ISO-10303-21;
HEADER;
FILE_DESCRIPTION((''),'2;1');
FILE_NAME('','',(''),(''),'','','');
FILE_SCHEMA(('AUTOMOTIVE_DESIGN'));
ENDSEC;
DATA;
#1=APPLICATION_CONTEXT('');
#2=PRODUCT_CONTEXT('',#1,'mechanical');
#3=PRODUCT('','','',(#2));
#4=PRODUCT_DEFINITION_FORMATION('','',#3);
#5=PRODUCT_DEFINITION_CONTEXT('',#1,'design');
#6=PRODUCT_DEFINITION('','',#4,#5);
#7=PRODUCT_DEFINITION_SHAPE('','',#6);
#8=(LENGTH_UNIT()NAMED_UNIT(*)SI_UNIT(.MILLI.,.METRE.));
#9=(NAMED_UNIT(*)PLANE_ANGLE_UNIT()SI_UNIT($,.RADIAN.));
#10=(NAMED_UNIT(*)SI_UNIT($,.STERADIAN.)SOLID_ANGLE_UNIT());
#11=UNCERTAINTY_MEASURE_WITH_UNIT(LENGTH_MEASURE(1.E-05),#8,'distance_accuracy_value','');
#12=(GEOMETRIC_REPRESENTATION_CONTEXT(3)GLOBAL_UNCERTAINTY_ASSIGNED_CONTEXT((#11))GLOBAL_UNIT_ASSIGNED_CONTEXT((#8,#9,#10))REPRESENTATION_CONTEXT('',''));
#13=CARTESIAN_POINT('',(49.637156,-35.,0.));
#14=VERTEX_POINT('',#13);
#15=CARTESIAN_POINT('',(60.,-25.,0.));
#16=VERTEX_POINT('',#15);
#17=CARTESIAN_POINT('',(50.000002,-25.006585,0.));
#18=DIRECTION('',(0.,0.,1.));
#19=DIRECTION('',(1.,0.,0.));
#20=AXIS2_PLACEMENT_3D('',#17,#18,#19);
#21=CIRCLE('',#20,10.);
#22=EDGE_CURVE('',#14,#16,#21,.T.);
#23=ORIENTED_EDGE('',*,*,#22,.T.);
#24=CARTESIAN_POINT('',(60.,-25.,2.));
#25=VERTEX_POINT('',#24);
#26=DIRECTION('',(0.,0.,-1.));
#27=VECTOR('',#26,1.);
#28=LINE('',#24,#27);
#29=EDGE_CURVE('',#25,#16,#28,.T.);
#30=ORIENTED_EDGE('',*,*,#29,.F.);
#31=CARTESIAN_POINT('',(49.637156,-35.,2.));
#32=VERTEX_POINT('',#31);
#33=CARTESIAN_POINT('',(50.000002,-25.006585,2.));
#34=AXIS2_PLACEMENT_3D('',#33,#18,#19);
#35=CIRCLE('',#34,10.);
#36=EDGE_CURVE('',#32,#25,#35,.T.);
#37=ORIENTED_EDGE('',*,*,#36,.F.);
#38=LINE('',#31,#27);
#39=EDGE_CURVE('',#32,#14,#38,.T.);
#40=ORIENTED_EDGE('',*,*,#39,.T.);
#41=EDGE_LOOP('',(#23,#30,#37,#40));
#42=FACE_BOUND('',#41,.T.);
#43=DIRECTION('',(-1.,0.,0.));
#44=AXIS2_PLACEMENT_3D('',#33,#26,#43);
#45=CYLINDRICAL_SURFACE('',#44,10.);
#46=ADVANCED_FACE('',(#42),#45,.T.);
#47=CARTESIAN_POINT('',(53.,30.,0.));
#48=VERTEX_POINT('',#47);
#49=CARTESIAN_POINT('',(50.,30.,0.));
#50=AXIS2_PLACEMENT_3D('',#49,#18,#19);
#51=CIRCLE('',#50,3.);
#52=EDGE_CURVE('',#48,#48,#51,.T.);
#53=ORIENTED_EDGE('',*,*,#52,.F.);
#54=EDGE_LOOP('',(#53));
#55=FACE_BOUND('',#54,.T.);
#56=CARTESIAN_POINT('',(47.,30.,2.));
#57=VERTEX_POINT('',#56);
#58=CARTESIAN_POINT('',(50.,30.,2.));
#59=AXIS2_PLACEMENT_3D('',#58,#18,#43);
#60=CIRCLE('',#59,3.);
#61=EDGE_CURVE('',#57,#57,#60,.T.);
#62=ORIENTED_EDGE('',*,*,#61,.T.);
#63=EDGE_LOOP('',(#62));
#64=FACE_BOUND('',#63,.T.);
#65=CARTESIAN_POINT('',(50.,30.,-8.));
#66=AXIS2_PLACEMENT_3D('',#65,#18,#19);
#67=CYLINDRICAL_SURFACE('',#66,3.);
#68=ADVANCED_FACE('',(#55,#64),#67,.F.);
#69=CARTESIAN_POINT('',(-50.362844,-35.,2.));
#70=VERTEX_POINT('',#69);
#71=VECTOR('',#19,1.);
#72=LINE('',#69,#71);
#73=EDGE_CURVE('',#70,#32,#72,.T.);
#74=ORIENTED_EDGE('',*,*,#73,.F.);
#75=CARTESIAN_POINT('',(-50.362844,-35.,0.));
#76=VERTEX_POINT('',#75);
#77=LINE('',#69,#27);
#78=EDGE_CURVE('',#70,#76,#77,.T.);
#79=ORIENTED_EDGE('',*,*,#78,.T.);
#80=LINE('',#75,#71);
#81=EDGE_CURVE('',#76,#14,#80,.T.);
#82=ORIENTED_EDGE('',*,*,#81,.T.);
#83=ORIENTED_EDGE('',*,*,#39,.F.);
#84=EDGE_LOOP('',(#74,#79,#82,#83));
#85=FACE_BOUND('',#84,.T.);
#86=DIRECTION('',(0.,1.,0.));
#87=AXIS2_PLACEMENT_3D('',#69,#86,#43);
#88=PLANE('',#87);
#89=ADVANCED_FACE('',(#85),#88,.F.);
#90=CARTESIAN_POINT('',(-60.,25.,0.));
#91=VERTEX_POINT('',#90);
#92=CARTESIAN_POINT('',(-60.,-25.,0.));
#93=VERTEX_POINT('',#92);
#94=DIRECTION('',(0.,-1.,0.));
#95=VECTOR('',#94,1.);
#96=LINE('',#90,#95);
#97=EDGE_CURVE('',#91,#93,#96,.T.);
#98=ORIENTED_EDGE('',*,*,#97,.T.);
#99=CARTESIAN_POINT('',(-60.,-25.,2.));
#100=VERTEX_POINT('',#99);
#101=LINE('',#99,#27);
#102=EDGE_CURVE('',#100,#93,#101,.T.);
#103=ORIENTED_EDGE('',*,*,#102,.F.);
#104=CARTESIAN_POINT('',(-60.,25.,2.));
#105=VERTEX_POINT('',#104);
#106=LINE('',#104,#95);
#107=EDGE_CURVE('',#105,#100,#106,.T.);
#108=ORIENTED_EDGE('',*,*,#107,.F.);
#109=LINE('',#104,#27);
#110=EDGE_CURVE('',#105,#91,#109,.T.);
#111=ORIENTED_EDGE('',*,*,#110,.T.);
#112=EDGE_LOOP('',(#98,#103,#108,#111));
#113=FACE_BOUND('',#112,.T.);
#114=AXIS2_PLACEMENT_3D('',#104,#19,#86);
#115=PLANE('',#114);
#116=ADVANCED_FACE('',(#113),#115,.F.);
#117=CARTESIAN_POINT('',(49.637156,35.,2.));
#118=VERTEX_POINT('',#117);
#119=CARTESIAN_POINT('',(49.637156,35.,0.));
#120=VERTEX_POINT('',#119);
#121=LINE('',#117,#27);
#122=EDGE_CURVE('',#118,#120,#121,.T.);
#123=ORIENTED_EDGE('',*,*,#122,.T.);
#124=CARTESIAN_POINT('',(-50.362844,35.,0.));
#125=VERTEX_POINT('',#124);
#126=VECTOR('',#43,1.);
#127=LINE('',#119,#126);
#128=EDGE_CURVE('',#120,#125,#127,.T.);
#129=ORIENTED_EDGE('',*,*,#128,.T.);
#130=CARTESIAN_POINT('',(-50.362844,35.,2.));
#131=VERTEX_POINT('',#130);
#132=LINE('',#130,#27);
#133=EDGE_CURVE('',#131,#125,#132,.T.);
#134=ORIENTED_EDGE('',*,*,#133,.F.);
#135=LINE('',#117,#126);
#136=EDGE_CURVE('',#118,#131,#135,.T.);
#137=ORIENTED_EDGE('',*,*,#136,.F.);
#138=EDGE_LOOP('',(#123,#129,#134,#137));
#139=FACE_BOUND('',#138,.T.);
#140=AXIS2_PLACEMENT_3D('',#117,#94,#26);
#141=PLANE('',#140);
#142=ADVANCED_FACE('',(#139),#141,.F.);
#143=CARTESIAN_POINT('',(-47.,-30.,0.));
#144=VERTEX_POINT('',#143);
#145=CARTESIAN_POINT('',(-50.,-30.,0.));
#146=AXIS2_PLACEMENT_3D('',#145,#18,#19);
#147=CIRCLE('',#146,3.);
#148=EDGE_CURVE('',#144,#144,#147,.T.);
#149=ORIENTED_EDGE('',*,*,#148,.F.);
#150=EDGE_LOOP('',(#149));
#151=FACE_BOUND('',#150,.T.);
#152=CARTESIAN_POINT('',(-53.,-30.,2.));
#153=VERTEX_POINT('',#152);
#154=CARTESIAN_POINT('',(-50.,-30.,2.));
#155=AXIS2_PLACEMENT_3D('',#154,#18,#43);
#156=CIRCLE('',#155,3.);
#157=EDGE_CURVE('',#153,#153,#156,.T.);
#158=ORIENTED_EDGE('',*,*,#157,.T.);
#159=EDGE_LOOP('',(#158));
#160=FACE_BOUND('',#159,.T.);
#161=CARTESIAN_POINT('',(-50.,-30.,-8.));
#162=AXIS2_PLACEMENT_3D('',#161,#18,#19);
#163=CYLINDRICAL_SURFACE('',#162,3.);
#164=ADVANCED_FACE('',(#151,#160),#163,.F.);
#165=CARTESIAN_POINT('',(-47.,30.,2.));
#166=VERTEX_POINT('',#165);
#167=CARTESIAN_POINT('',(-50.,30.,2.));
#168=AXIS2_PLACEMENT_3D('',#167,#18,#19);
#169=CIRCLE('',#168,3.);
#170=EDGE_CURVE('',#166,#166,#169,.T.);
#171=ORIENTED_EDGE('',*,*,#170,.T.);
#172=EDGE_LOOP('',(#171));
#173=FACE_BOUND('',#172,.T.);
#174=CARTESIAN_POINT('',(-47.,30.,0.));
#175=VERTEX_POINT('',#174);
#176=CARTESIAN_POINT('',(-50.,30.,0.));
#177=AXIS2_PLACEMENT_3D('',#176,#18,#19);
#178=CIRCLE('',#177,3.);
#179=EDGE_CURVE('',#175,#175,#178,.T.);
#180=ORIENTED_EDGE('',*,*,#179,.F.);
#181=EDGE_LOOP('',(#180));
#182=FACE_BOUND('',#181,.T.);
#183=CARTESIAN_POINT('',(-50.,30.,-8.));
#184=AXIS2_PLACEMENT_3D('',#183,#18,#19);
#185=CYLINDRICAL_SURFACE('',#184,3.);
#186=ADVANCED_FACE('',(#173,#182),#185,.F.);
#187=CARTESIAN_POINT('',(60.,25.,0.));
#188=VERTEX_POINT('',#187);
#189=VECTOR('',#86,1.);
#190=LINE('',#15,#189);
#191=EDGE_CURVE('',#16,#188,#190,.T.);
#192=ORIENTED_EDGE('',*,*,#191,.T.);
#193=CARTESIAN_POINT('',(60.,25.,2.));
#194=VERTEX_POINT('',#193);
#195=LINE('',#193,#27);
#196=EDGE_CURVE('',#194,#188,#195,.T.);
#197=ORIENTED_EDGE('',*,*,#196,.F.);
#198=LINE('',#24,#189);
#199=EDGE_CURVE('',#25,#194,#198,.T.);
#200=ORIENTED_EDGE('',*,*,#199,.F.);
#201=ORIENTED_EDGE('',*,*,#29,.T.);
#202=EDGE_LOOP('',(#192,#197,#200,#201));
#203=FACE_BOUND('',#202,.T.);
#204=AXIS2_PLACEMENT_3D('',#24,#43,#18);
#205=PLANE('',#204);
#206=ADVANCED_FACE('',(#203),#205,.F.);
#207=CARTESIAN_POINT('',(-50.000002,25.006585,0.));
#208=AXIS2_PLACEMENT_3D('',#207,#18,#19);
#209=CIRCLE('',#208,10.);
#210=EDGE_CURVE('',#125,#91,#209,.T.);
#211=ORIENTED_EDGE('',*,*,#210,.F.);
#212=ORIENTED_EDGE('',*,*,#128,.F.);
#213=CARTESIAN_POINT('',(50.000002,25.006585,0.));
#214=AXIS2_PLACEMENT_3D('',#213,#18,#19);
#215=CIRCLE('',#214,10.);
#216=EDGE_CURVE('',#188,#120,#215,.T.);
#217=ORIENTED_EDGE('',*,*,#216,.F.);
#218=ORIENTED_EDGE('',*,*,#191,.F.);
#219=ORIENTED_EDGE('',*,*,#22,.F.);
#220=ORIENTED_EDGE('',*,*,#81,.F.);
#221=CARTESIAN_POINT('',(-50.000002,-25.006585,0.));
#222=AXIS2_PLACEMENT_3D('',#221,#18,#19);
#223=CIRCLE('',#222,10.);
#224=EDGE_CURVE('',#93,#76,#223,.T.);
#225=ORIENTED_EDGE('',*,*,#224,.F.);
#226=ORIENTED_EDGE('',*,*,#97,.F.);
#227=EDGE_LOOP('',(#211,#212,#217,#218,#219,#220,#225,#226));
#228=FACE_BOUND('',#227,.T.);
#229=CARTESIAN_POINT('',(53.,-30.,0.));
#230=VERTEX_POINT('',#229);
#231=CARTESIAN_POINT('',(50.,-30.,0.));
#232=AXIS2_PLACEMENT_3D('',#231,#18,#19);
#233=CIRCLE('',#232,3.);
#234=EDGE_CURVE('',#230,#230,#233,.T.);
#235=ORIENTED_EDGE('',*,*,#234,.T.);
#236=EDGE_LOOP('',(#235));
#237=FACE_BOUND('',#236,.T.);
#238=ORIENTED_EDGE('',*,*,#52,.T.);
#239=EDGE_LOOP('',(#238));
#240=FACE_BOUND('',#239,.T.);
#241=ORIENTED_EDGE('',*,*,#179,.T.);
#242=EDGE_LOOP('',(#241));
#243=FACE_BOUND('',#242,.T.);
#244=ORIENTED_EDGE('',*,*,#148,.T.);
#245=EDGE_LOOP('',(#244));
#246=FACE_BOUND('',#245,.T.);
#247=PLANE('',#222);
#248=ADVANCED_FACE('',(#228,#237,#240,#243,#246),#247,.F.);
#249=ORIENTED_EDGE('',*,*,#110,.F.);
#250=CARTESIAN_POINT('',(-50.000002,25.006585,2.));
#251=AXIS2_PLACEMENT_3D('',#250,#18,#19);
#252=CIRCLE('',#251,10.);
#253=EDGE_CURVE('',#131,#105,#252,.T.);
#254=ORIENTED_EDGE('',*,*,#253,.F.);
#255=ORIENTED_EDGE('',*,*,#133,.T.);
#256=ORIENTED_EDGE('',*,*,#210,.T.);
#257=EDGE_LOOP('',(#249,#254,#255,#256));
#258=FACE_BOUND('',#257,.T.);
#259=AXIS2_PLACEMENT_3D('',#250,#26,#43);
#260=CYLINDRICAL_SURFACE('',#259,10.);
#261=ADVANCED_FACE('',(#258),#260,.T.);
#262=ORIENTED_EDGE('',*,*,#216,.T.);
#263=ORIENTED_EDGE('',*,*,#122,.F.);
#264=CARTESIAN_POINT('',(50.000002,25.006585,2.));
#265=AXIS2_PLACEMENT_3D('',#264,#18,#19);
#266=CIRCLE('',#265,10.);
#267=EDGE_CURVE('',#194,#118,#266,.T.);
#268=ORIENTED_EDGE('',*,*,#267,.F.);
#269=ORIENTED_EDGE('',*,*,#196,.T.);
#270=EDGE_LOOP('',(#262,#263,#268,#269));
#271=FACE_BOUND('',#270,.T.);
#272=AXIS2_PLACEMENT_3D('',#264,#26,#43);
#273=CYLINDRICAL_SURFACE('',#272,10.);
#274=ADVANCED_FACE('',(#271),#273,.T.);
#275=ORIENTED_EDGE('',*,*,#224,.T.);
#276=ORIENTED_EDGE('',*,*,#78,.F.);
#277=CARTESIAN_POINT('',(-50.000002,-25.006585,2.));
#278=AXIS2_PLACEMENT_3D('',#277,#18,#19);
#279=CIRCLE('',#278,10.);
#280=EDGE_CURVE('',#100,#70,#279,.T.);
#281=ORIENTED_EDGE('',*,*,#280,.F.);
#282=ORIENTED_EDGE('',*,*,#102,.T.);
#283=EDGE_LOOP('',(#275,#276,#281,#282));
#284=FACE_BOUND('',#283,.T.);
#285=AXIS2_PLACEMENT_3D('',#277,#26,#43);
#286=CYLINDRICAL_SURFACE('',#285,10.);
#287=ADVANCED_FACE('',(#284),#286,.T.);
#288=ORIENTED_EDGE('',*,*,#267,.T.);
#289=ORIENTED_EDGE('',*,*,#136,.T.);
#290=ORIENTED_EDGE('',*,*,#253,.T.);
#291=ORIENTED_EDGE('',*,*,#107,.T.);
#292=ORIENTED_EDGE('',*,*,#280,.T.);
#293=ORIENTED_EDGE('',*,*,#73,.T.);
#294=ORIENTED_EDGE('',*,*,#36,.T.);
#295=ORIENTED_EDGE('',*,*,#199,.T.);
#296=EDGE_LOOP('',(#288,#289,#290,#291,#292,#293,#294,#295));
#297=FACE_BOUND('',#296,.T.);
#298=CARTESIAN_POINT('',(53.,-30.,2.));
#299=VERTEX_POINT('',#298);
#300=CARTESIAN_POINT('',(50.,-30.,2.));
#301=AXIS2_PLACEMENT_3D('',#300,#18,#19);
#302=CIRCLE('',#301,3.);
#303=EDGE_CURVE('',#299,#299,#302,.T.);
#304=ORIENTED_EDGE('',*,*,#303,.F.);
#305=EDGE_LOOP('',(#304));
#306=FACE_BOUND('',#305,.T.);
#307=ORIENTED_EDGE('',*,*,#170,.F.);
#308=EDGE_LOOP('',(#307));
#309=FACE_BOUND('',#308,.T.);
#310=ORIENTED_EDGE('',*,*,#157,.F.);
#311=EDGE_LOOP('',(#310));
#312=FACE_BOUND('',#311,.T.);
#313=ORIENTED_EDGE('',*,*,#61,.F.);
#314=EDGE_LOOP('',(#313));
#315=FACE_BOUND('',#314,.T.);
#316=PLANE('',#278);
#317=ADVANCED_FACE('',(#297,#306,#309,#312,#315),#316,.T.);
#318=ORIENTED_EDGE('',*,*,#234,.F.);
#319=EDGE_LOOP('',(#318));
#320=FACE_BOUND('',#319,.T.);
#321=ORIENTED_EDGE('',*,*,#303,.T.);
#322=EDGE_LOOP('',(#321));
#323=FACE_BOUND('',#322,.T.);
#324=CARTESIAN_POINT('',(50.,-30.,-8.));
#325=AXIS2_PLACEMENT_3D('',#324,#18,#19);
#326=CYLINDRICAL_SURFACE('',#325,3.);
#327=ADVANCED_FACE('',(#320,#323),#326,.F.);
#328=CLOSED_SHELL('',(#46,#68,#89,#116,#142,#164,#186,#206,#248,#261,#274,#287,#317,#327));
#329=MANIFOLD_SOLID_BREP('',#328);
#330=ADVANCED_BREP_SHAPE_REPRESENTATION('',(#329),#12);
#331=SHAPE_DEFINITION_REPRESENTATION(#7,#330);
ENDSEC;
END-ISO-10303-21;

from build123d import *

# Parameters (mm, degrees)
BOSS_EXTRU_1_DEPTH      = 2
ESQUISSE2_R             = 3
ENL_V_MAT_EXTRU_1_DEPTH = 10


with BuildPart() as part:
    # Esquisse1 → Boss.-Extru.1 (new body)
    with BuildSketch(Plane.XY):
        with BuildLine():
            Line((-50.362843828, -35), (49.637156172, -35))
            ThreePointArc((49.637156172, -35), (56.943968893, -32.202509301), (60, -25))
            Line((60, -25), (60, 25))
            ThreePointArc((60, 25), (56.943968893, 32.202509301), (49.637156172, 35))
            Line((49.637156172, 35), (-50.362843828, 35))
            ThreePointArc((-50.362843828, 35), (-57.200495942, 31.945813173), (-60, 25))
            Line((-60, 25), (-60, -25))
            ThreePointArc((-60, -25), (-57.200495942, -31.945813173), (-50.362843828, -35))
        make_face()
    extrude(amount=BOSS_EXTRU_1_DEPTH)

    # Esquisse2 → Enlèv. mat.-Extru.1 (cut)
    with BuildSketch(Plane.XY.offset(2)):
        with Locations((-50, 30)):
            Circle(ESQUISSE2_R)
        with Locations((50, 30)):
            Circle(ESQUISSE2_R)
        with Locations((50, -30)):
            Circle(ESQUISSE2_R)
        with Locations((-50, -30)):
            Circle(ESQUISSE2_R)
    extrude(amount=-ENL_V_MAT_EXTRU_1_DEPTH, mode=Mode.SUBTRACT)


solid = part.part
